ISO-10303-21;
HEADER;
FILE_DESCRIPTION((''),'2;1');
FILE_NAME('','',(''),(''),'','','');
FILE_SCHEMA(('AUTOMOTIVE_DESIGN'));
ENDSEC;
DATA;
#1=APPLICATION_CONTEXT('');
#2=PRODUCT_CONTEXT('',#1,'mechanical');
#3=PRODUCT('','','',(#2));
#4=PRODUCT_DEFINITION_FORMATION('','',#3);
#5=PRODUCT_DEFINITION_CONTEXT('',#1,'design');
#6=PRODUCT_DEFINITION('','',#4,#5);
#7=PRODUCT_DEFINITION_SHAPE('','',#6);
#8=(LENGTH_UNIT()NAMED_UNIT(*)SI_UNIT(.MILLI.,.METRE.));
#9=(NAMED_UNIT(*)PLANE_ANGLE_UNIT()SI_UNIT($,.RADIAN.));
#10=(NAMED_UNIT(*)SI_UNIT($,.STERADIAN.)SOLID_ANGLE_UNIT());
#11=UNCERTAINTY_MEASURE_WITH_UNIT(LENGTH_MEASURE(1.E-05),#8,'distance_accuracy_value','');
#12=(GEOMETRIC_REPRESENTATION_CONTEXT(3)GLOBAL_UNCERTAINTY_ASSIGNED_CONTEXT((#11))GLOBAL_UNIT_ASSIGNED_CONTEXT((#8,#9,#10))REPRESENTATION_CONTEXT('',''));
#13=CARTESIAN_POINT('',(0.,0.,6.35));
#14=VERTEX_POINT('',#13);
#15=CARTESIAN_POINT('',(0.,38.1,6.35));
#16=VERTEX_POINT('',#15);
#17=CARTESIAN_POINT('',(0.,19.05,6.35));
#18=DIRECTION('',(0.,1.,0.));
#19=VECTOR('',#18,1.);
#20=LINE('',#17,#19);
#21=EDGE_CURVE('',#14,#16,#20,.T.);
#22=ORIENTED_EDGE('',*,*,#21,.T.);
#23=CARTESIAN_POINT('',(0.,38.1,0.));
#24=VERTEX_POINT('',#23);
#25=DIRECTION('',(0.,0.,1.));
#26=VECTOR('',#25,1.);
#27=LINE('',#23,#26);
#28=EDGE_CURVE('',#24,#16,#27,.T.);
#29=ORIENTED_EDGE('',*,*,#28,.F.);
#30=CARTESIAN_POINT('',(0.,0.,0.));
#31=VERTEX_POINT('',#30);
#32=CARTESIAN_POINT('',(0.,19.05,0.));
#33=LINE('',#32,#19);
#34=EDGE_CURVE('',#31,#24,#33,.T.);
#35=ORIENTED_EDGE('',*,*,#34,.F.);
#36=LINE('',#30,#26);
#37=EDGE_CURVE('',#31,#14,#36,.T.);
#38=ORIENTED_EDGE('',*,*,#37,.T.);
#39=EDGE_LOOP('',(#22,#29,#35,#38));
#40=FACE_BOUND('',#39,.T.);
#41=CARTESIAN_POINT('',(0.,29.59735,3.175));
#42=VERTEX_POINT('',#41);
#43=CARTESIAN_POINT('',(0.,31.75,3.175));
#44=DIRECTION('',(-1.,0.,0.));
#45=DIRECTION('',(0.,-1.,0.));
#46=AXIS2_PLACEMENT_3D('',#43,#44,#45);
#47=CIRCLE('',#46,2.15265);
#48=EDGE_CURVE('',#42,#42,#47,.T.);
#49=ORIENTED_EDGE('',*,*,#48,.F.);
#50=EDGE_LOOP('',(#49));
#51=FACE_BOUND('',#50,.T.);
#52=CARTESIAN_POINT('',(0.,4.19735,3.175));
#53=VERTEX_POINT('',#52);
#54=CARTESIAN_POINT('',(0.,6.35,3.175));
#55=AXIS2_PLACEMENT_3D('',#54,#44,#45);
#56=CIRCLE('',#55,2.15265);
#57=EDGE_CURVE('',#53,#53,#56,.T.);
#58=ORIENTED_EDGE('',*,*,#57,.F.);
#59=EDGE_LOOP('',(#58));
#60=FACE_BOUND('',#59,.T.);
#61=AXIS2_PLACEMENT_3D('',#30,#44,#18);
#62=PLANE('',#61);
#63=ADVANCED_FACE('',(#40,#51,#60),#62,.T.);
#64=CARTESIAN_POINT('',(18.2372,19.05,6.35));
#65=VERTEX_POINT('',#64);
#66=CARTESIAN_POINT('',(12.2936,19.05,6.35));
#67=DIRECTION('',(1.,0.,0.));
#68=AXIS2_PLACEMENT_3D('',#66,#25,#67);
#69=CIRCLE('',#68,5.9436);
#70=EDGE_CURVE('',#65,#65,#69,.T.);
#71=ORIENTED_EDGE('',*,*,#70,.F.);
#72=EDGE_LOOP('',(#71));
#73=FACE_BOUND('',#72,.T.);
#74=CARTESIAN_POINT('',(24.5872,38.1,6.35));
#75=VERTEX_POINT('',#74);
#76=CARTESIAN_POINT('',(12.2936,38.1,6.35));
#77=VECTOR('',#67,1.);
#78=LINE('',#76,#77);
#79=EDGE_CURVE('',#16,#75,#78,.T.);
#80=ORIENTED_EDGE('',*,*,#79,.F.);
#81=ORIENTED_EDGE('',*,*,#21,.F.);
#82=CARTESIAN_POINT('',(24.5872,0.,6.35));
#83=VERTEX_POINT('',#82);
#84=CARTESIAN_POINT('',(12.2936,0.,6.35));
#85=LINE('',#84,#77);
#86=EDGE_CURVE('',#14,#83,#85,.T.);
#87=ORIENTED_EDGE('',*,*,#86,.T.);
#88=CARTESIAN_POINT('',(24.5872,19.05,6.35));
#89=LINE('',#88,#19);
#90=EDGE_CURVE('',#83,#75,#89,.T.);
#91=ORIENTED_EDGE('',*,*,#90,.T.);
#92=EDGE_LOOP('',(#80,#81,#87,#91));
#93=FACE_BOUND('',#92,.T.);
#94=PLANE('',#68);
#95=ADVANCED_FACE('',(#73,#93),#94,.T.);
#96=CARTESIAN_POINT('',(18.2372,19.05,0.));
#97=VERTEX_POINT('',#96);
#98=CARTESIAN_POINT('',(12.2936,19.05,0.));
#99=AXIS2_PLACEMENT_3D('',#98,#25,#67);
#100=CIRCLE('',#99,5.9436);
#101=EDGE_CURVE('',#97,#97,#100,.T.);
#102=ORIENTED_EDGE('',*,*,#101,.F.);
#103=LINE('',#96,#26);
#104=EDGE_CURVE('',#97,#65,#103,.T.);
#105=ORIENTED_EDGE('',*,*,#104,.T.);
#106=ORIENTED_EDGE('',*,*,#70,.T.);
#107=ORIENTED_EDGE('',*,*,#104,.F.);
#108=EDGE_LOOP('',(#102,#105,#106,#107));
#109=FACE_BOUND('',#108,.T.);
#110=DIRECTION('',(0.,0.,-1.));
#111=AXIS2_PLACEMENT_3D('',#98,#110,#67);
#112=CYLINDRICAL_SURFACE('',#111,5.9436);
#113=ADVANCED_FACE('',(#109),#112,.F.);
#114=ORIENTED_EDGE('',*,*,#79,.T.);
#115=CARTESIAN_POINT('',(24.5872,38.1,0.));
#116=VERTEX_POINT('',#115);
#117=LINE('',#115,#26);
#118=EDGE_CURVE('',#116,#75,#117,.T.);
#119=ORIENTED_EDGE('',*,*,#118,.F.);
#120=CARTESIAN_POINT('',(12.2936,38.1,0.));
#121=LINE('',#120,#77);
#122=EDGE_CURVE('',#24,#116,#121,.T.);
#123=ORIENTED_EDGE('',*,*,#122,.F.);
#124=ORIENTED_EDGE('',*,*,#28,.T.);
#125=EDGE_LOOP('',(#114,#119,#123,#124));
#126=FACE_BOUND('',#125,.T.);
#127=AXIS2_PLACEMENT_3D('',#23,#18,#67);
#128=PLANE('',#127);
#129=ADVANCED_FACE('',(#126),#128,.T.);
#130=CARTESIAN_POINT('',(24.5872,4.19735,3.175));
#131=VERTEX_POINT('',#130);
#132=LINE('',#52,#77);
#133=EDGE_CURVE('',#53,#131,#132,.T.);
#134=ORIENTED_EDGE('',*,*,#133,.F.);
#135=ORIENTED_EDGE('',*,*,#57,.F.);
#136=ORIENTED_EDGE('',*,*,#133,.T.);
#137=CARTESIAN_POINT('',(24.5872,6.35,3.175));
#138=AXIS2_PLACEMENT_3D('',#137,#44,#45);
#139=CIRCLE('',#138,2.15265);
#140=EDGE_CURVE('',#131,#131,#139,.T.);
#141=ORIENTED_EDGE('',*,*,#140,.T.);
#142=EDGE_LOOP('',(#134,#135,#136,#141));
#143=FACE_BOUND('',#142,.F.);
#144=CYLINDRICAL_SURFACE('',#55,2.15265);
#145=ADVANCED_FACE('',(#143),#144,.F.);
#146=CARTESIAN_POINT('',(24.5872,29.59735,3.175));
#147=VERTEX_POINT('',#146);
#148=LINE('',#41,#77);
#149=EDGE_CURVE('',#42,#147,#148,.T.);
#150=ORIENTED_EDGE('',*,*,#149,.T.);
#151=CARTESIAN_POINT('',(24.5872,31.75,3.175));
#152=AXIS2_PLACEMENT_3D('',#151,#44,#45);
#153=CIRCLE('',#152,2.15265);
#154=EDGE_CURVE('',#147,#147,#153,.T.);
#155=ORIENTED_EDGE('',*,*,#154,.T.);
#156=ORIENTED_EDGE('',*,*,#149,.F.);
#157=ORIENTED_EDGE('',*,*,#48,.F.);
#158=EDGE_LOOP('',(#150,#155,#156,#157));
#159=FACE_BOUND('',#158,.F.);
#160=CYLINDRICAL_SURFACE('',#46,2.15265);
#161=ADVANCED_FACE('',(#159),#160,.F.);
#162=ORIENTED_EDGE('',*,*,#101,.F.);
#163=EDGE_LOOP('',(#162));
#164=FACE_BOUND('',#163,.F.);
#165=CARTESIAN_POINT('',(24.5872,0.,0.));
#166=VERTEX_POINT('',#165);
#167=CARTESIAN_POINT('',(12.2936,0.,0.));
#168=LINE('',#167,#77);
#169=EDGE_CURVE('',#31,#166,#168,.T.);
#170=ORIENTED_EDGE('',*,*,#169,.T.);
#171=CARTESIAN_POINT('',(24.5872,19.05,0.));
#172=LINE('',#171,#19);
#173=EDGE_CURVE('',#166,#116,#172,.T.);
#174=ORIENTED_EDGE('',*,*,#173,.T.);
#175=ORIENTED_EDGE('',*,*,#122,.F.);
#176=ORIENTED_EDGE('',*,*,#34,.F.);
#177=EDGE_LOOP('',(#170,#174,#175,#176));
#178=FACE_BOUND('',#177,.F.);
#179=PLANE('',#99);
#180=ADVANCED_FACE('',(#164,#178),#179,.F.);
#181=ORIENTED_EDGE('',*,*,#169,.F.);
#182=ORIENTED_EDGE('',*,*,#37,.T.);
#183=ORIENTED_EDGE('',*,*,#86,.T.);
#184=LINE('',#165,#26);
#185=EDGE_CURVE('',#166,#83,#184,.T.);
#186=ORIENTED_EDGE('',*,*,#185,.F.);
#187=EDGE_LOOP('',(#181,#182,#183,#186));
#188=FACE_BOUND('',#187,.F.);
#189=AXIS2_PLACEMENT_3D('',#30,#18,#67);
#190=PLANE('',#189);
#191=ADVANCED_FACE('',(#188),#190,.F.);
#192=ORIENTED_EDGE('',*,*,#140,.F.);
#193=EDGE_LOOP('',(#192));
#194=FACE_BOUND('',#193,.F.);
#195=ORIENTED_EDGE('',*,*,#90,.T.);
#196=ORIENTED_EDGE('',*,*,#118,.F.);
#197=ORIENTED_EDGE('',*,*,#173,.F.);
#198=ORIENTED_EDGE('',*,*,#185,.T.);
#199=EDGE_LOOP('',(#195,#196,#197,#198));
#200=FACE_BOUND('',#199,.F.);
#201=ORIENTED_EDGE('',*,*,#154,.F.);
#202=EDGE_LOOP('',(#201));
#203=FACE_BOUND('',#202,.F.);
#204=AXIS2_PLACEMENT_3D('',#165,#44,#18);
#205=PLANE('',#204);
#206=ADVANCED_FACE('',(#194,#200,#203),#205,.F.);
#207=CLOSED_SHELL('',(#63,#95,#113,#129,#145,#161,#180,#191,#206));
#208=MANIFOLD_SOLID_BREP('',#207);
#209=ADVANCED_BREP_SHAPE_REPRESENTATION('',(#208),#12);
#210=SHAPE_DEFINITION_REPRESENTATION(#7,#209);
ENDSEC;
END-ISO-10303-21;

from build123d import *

# Parameters (mm, degrees)
F0_W     = 24.5872
F0_H     = 38.1
F0_R     = 5.9436
F1_DEPTH = 6.35
F2_R     = 2.15265
F3_DEPTH = 24.5882


with BuildPart() as f1:
    # F0 (on Top) → F1 (new body)
    with BuildSketch(Plane.XY):
        with Locations((12.2936, 19.05)):
            Rectangle(F0_W, F0_H)
        with Locations((12.2936, 19.05)):
            Circle(F0_R, mode=Mode.SUBTRACT)
    extrude(amount=F1_DEPTH)

    # F2 (on face) → F3 (cut, through all)
    with BuildSketch(Plane(origin=(0, 0, 0), x_dir=(0, -1, 0), z_dir=(-1, 0, 0))):
        with Locations((-31.75, 3.175)):
            Circle(F2_R)
        with Locations((-6.35, 3.175)):
            Circle(F2_R)
    extrude(amount=-F3_DEPTH, mode=Mode.SUBTRACT)


solid = f1.part
